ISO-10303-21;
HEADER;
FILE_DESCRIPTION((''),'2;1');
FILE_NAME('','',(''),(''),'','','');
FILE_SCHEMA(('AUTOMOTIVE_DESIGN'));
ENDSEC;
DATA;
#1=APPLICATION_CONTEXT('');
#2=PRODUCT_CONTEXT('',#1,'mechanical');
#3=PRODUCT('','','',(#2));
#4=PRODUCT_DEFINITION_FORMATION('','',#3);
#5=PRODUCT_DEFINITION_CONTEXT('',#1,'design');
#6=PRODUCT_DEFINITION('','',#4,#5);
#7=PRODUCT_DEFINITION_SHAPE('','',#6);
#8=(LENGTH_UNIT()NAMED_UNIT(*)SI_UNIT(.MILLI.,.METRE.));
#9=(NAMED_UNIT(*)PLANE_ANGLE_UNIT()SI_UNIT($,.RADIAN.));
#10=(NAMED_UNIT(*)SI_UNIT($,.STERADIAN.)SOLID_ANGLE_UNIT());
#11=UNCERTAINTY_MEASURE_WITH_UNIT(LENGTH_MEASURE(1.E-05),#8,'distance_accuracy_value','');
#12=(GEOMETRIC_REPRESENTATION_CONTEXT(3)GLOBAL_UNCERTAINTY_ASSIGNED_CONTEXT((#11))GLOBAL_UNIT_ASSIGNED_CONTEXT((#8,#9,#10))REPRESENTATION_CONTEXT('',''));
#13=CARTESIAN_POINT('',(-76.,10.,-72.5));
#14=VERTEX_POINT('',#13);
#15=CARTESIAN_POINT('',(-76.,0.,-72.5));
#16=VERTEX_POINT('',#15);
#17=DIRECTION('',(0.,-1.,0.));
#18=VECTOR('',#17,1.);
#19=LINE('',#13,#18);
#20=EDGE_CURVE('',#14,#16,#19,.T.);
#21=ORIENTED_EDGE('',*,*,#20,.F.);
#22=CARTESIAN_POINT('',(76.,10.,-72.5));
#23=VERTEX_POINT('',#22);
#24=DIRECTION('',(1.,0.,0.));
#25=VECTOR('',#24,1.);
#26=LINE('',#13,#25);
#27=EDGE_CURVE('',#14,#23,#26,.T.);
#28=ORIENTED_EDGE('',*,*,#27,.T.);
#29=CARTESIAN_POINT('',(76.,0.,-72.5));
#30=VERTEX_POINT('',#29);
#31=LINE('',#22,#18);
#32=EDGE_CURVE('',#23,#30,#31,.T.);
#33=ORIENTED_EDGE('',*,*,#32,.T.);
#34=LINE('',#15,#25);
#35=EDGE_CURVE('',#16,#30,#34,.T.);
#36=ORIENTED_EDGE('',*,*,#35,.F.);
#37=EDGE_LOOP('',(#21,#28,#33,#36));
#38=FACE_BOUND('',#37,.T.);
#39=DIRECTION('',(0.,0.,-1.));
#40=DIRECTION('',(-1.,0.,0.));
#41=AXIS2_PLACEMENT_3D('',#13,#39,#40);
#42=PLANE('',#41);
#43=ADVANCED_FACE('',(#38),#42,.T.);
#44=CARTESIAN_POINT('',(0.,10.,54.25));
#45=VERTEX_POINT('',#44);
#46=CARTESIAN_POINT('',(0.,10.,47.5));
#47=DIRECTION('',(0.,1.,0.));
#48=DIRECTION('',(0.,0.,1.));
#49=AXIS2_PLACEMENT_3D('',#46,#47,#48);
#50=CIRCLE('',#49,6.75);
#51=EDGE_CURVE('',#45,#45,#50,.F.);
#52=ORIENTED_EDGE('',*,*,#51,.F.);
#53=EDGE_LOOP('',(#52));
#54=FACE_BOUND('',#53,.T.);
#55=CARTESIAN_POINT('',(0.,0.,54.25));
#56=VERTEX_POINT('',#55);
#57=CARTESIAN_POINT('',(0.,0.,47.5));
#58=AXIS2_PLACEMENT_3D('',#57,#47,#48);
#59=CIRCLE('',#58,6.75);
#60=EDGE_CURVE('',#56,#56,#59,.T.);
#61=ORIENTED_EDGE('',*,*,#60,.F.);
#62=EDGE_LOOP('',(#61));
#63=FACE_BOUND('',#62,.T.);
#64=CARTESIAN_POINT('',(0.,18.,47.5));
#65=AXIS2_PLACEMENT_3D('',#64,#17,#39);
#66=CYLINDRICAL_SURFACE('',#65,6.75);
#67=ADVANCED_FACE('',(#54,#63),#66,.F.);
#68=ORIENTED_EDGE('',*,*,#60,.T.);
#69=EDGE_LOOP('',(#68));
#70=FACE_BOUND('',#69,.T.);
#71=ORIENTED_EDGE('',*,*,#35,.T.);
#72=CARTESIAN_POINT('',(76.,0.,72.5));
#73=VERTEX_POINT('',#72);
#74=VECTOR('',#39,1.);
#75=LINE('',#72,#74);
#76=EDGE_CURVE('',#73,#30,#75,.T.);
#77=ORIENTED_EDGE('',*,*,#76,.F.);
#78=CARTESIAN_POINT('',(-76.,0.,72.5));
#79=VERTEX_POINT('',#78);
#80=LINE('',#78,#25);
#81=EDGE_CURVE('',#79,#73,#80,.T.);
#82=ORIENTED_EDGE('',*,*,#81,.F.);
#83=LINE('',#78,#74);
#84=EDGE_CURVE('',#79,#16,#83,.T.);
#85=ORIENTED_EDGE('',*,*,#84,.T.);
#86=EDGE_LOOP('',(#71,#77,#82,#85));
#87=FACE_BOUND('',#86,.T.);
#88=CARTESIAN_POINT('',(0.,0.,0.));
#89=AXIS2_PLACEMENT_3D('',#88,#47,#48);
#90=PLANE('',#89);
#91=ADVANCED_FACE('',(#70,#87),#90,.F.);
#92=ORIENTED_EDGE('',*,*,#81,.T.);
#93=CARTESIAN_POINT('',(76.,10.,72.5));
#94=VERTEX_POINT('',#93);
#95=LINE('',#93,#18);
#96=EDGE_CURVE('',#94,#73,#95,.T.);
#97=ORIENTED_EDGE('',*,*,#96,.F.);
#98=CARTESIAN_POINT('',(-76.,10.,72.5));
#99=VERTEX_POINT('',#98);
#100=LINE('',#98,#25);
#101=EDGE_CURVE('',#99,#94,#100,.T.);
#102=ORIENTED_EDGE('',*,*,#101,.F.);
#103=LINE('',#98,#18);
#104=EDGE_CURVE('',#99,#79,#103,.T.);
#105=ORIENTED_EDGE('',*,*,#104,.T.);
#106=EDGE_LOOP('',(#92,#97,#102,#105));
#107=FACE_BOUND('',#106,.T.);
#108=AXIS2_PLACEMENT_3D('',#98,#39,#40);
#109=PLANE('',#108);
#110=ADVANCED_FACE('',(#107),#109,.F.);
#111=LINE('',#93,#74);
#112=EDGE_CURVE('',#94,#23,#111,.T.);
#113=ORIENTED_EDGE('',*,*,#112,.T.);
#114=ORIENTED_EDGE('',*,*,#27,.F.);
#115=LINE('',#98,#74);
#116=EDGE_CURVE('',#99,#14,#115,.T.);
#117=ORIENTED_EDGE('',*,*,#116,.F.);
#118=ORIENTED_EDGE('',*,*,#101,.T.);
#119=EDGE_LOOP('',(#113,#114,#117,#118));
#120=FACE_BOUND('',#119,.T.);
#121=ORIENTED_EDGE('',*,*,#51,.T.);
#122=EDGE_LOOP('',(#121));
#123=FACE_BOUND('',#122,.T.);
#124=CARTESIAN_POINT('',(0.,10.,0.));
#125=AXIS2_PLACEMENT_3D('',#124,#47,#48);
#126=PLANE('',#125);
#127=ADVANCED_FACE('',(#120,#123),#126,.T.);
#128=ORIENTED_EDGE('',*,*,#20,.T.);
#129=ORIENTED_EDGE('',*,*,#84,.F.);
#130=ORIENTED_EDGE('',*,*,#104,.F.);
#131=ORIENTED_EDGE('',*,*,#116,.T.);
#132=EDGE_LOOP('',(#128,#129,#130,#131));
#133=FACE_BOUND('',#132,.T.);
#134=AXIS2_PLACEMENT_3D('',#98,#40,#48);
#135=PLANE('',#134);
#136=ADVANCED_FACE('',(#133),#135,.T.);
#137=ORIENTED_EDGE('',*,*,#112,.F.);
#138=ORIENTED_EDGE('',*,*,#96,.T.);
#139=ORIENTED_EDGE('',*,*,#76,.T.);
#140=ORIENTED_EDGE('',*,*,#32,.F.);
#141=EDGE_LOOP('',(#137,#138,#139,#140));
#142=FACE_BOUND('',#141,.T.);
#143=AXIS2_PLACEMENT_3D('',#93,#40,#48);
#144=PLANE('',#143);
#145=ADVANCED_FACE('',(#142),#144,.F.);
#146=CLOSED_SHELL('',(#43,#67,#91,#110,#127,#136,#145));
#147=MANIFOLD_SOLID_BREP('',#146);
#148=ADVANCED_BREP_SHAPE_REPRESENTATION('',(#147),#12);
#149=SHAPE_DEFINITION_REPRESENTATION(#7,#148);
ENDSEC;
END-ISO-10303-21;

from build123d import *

# Parameters (mm, degrees)
SKETCH1_W           = 152
SKETCH1_H           = 145
BOSS_EXTRUDE1_DEPTH = 10
SKETCH2_R           = 6.75
CUT_EXTRUDE1_DEPTH  = 18


with BuildPart() as part:
    # Sketch1 → Boss-Extrude1 (new body)
    with BuildSketch(Plane(origin=(0, 0, 0), x_dir=(1, 0, 0), z_dir=(0, 1, 0))):
        Rectangle(SKETCH1_W, SKETCH1_H)
    extrude(amount=BOSS_EXTRUDE1_DEPTH)

    # Sketch2 → Cut-Extrude1 (cut)
    with BuildSketch(Plane(origin=(0, 0, 0), x_dir=(1, 0, 0), z_dir=(0, 1, 0))):
        with Locations(Location((0, -47.5, 0), (0, 0, 270))):
            Circle(SKETCH2_R)
    extrude(amount=CUT_EXTRUDE1_DEPTH, mode=Mode.SUBTRACT)


solid = part.part
